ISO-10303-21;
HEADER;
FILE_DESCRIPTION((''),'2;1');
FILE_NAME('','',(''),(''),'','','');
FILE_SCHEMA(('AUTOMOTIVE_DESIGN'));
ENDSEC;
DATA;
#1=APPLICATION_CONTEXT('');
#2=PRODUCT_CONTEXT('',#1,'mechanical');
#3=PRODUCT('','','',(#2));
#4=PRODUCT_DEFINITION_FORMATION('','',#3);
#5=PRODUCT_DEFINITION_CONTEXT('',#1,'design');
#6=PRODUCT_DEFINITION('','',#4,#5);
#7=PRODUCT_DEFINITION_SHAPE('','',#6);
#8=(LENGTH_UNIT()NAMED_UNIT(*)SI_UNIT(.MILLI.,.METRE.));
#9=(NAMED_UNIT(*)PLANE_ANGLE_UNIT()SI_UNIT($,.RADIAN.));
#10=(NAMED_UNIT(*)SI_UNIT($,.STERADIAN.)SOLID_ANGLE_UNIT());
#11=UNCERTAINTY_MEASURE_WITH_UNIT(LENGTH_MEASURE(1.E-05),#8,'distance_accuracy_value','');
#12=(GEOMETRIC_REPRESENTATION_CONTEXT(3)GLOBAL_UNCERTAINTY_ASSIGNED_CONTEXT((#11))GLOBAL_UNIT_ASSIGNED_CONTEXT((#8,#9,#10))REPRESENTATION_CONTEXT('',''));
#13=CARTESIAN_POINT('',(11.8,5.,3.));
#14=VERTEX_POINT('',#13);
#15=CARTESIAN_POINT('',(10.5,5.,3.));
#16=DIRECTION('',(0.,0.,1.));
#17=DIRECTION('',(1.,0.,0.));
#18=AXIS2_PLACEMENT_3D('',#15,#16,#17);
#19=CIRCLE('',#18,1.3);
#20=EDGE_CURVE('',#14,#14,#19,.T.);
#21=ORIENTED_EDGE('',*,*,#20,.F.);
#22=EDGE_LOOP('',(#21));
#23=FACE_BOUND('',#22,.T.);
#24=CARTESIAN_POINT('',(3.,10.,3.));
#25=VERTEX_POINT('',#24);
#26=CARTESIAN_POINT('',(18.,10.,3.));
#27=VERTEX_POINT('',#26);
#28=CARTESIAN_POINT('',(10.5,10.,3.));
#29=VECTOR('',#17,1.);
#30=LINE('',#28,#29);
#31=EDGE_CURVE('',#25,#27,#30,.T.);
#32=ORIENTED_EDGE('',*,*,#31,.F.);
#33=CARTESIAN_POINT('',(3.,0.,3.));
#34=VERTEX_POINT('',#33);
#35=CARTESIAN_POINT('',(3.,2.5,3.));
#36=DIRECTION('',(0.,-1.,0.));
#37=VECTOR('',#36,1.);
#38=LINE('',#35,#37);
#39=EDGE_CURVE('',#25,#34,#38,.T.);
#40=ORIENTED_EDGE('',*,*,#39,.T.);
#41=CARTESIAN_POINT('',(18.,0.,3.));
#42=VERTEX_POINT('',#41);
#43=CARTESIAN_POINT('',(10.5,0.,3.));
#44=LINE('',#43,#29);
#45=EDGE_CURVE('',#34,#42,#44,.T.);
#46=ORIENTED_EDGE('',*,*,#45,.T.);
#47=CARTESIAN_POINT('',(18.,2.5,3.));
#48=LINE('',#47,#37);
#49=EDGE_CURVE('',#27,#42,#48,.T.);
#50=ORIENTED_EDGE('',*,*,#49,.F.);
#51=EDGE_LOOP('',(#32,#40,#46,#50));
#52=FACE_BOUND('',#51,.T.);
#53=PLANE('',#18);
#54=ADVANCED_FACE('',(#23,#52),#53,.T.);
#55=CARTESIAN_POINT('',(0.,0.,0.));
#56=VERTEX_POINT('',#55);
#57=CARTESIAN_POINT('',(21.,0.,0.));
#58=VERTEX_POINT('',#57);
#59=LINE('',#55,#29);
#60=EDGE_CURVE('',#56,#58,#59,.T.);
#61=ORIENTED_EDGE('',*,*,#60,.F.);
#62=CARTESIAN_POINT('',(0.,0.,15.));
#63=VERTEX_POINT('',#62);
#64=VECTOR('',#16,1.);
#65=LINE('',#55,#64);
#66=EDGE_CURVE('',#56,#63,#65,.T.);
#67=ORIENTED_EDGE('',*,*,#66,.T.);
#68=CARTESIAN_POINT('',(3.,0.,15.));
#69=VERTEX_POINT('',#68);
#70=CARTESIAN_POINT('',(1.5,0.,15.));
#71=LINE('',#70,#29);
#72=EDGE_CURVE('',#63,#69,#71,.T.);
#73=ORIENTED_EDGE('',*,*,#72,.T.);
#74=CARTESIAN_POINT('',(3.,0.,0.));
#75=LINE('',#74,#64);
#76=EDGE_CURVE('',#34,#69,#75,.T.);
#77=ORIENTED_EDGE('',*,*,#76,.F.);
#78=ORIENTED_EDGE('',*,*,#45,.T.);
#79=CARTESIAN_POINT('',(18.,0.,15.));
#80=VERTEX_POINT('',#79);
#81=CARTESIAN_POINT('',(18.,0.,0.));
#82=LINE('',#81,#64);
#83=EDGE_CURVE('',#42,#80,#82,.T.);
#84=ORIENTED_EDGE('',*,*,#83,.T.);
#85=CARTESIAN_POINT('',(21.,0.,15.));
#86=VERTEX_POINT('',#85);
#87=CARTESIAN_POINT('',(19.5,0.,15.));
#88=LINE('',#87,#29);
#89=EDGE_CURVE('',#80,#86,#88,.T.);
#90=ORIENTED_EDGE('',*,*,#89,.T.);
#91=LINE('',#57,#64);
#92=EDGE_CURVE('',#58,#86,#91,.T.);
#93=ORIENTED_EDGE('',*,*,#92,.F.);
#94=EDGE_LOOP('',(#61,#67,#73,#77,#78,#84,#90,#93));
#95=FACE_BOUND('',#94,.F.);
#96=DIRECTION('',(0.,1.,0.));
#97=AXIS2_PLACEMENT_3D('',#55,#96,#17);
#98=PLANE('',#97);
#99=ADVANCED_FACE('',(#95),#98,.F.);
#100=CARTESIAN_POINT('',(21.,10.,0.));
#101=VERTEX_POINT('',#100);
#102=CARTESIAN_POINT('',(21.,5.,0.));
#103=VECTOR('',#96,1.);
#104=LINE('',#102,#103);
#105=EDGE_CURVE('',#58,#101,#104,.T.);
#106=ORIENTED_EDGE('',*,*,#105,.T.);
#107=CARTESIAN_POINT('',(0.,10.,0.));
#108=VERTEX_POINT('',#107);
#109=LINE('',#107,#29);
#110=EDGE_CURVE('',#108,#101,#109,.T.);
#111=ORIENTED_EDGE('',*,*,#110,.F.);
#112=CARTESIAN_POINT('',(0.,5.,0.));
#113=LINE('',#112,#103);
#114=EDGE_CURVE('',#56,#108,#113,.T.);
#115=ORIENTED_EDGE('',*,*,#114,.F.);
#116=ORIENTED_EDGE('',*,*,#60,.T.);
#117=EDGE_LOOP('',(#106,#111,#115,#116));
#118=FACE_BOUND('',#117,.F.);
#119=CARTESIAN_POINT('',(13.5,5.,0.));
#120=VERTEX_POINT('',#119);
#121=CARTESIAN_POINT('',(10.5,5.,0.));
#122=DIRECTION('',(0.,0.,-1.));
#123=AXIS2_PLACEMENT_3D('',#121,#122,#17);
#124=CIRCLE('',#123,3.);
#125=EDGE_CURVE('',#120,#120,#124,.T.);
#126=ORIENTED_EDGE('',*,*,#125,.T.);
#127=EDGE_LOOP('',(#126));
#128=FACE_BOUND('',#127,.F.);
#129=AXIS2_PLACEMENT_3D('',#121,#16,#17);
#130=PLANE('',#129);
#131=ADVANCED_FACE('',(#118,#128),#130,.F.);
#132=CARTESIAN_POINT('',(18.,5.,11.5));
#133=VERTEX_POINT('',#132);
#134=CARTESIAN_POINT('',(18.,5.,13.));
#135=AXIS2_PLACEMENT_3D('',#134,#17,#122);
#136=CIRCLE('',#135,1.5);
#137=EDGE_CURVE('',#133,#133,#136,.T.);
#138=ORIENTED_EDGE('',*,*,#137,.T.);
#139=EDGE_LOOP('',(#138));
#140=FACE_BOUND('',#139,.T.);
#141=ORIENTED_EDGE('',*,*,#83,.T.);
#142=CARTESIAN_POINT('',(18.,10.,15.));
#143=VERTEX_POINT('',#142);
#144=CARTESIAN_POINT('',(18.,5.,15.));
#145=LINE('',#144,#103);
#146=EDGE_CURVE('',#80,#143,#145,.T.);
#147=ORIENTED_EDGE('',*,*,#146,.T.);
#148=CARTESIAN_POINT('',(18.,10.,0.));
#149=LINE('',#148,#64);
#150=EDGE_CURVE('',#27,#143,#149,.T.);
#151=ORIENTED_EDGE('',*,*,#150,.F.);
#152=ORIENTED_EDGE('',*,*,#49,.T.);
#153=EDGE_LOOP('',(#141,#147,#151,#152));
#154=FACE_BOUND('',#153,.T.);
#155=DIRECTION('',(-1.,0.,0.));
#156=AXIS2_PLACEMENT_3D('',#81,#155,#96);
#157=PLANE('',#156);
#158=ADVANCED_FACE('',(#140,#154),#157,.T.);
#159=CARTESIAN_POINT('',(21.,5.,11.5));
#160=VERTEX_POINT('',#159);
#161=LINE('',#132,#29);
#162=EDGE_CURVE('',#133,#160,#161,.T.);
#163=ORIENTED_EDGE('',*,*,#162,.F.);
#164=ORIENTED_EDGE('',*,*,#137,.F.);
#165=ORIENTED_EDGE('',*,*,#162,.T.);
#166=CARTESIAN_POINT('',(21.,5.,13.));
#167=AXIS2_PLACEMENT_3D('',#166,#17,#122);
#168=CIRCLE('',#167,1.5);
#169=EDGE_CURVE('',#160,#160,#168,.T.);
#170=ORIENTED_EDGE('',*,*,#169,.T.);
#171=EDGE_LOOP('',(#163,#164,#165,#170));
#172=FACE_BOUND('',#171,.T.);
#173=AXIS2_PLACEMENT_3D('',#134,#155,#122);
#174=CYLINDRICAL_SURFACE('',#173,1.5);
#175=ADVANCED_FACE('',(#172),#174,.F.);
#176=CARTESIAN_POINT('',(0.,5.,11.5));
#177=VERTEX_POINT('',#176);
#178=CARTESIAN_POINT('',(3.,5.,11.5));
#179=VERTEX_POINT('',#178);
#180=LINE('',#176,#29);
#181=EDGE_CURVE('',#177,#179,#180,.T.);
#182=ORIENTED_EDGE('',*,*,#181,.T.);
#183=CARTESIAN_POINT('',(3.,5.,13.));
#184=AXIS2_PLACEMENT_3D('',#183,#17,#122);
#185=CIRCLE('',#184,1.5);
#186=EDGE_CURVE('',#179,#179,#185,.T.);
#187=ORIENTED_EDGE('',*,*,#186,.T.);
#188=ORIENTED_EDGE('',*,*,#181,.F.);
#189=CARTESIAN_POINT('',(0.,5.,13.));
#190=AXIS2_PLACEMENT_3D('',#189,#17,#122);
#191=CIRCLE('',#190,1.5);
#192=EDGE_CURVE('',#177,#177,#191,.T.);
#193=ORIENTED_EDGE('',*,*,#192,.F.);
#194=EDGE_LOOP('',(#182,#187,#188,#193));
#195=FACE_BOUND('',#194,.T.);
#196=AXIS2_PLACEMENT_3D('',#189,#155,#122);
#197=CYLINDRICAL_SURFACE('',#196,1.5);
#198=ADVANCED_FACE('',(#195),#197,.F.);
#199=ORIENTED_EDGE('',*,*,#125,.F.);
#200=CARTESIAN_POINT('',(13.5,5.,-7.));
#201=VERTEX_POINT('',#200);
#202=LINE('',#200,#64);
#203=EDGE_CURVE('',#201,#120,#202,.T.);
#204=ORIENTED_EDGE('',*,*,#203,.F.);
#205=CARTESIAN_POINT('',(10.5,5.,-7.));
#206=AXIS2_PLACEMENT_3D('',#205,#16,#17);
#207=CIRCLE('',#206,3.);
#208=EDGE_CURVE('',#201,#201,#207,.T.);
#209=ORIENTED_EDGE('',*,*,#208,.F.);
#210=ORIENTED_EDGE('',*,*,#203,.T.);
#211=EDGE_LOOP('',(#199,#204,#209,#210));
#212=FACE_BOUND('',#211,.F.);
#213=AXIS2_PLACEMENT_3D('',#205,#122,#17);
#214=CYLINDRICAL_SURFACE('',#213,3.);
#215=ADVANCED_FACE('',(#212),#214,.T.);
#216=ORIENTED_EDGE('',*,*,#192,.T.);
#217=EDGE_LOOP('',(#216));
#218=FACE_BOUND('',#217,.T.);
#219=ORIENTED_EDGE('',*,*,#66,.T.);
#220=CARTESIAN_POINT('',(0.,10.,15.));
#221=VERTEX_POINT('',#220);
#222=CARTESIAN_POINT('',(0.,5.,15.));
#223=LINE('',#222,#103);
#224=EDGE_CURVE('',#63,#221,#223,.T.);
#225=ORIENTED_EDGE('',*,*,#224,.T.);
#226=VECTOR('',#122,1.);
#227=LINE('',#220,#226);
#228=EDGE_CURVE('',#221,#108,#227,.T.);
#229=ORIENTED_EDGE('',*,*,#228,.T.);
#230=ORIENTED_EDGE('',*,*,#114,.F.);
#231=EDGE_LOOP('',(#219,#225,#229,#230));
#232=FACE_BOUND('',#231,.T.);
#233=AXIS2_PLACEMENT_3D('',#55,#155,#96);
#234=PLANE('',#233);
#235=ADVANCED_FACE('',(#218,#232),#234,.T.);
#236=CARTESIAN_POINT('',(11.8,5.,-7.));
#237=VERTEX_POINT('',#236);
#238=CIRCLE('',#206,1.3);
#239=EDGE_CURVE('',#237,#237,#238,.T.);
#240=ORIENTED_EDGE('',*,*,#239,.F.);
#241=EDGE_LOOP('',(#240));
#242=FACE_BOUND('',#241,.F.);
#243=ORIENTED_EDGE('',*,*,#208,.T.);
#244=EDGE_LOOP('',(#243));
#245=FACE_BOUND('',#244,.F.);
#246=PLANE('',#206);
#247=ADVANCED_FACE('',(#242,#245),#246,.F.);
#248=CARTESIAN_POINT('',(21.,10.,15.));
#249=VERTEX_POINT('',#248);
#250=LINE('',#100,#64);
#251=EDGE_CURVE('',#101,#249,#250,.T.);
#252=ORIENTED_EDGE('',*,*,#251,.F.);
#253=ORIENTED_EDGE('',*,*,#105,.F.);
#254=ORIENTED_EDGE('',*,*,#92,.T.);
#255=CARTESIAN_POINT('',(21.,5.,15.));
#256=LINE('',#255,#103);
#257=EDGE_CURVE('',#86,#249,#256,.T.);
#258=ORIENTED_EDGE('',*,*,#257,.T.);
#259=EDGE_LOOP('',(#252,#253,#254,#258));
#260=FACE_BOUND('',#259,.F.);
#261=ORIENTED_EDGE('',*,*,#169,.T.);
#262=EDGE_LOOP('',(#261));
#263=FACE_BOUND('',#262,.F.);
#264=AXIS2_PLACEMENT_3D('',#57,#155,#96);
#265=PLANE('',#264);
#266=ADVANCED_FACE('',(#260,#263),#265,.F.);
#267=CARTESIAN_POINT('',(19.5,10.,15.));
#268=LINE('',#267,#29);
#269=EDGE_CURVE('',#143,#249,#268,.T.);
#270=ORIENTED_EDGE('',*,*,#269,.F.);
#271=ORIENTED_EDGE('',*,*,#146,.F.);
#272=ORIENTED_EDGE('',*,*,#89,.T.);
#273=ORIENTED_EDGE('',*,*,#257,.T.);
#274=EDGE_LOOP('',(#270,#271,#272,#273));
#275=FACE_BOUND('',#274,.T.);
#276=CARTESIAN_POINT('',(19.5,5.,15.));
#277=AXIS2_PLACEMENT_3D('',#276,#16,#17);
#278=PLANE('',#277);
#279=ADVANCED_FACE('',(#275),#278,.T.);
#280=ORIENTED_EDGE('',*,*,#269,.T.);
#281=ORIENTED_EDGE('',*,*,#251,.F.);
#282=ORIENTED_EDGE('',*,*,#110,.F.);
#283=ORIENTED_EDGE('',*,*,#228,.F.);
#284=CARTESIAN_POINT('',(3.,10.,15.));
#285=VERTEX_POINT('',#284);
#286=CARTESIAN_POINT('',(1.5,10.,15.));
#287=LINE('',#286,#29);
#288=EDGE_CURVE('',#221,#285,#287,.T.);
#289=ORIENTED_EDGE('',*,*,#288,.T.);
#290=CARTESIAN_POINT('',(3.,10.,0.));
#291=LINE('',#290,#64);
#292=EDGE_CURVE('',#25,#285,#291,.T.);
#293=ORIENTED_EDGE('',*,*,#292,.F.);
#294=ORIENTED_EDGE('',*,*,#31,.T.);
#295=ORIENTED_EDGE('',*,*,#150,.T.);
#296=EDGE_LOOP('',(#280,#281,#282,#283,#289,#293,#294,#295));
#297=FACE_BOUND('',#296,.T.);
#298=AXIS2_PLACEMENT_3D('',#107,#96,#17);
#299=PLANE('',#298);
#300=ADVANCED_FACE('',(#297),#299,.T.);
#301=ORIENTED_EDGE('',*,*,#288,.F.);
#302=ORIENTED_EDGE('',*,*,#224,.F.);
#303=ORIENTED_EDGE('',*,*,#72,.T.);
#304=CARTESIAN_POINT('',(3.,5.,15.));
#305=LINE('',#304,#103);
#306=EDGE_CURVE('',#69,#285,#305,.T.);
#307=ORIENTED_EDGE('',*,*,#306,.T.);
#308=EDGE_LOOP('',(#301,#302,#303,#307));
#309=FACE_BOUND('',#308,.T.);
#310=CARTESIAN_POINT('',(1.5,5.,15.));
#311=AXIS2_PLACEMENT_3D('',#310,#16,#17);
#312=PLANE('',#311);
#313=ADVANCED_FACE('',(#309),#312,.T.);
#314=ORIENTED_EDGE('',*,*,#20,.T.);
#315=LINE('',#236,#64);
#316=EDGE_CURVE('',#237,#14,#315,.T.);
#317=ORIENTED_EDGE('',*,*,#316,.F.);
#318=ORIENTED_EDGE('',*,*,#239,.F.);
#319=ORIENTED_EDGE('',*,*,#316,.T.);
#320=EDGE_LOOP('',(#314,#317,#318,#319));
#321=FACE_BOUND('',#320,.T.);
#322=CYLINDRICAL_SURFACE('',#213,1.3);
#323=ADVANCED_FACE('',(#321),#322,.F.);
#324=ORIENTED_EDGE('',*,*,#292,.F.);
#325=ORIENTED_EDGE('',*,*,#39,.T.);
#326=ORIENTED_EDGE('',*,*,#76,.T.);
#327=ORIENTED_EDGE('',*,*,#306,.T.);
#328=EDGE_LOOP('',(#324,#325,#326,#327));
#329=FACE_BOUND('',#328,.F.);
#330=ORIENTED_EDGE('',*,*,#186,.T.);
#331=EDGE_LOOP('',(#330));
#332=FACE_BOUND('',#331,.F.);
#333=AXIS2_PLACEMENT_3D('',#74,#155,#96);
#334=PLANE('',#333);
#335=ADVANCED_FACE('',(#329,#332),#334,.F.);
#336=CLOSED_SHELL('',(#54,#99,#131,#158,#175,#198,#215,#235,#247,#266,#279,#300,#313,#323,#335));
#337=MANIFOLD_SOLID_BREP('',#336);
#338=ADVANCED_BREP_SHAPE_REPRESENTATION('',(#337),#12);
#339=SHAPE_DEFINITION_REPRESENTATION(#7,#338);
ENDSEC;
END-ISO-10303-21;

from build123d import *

# Parameters (mm, degrees)
CYLINDER003_R           = 1.3
CYLINDER003_DEPTH       = 10
CYLINDER001_R           = 1.5
CYLINDER001_DEPTH       = 3
CYLINDER001_PITCH_ANGLE = 90
CYLINDER_R              = 1.5
CYLINDER_DEPTH          = 3
CYLINDER_PITCH_ANGLE    = 90
CYLINDER002_R           = 3
CYLINDER002_DEPTH       = 8
BOX001_W                = 3
BOX001_H                = 10
BOX001_DEPTH            = 15
BOX002_W                = 3
BOX002_H                = 10
BOX002_DEPTH            = 15
BOX_W                   = 21
BOX_H                   = 10
BOX_DEPTH               = 3


with BuildPart() as cylinder001:
    # Cylinder003 → Cylinder003 (new body)
    with BuildSketch(Plane(origin=(10.5, 5, -7), x_dir=(1, 0, 0), z_dir=(0, 0, 1))):
        Circle(CYLINDER003_R)
    extrude(amount=CYLINDER003_DEPTH)


with BuildPart() as hole002:
    # Cylinder001 → Cylinder001 (new body)
    with BuildSketch(Plane.XY):
        Circle(CYLINDER001_R)
    extrude(amount=CYLINDER001_DEPTH)


with BuildPart() as hole002_1:
    # Cylinder001 pitch: moved
    add(hole002.part.rotate(Axis((0, 0, 0), (0, 1, 0)), CYLINDER001_PITCH_ANGLE))


with BuildPart() as hole002_2:
    # Cylinder001 placement: moved
    add(hole002_1.part.moved(Location((18, 5, 13))))


with BuildPart() as hole1:
    # Cylinder → Cylinder (new body)
    with BuildSketch(Plane.XY):
        Circle(CYLINDER_R)
    extrude(amount=CYLINDER_DEPTH)


with BuildPart() as hole1_1:
    # Cylinder pitch: moved
    add(hole1.part.rotate(Axis((0, 0, 0), (0, 1, 0)), CYLINDER_PITCH_ANGLE))


with BuildPart() as hole1_2:
    # Cylinder placement: moved
    add(hole1_1.part.moved(Location((0, 5, 13))))


with BuildPart() as cylinder:
    # Cylinder002 → Cylinder002 (new body)
    with BuildSketch(Plane(origin=(10.5, 5, -7), x_dir=(1, 0, 0), z_dir=(0, 0, 1))):
        Circle(CYLINDER002_R)
    extrude(amount=CYLINDER002_DEPTH)


with BuildPart() as cube001:
    # Box001 → Box001 (new body)
    with BuildSketch(Plane.XY):
        with Locations((1.5, 5)):
            Rectangle(BOX001_W, BOX001_H)
    extrude(amount=BOX001_DEPTH)


with BuildPart() as cube002:
    # Box002 → Box002 (new body)
    with BuildSketch(Plane(origin=(18, 0, 0), x_dir=(1, 0, 0), z_dir=(0, 0, 1))):
        with Locations((1.5, 5)):
            Rectangle(BOX002_W, BOX002_H)
    extrude(amount=BOX002_DEPTH)


with BuildPart() as cut002:
    # Box → Box (new body)
    with BuildSketch(Plane.XY):
        with Locations((10.5, 5)):
            Rectangle(BOX_W, BOX_H)
    extrude(amount=BOX_DEPTH)

    # Fusion: union Cube001, Cube002
    add(cube001.part)
    add(cube002.part)

    # Fusion001: union Cylinder
    add(cylinder.part)

    # Cut: cut Hole1
    add(hole1_2.part, mode=Mode.SUBTRACT)

    # Cut001: cut Hole002
    add(hole002_2.part, mode=Mode.SUBTRACT)

    # Cut002: cut Cylinder001
    add(cylinder001.part, mode=Mode.SUBTRACT)


solid = cut002.part
